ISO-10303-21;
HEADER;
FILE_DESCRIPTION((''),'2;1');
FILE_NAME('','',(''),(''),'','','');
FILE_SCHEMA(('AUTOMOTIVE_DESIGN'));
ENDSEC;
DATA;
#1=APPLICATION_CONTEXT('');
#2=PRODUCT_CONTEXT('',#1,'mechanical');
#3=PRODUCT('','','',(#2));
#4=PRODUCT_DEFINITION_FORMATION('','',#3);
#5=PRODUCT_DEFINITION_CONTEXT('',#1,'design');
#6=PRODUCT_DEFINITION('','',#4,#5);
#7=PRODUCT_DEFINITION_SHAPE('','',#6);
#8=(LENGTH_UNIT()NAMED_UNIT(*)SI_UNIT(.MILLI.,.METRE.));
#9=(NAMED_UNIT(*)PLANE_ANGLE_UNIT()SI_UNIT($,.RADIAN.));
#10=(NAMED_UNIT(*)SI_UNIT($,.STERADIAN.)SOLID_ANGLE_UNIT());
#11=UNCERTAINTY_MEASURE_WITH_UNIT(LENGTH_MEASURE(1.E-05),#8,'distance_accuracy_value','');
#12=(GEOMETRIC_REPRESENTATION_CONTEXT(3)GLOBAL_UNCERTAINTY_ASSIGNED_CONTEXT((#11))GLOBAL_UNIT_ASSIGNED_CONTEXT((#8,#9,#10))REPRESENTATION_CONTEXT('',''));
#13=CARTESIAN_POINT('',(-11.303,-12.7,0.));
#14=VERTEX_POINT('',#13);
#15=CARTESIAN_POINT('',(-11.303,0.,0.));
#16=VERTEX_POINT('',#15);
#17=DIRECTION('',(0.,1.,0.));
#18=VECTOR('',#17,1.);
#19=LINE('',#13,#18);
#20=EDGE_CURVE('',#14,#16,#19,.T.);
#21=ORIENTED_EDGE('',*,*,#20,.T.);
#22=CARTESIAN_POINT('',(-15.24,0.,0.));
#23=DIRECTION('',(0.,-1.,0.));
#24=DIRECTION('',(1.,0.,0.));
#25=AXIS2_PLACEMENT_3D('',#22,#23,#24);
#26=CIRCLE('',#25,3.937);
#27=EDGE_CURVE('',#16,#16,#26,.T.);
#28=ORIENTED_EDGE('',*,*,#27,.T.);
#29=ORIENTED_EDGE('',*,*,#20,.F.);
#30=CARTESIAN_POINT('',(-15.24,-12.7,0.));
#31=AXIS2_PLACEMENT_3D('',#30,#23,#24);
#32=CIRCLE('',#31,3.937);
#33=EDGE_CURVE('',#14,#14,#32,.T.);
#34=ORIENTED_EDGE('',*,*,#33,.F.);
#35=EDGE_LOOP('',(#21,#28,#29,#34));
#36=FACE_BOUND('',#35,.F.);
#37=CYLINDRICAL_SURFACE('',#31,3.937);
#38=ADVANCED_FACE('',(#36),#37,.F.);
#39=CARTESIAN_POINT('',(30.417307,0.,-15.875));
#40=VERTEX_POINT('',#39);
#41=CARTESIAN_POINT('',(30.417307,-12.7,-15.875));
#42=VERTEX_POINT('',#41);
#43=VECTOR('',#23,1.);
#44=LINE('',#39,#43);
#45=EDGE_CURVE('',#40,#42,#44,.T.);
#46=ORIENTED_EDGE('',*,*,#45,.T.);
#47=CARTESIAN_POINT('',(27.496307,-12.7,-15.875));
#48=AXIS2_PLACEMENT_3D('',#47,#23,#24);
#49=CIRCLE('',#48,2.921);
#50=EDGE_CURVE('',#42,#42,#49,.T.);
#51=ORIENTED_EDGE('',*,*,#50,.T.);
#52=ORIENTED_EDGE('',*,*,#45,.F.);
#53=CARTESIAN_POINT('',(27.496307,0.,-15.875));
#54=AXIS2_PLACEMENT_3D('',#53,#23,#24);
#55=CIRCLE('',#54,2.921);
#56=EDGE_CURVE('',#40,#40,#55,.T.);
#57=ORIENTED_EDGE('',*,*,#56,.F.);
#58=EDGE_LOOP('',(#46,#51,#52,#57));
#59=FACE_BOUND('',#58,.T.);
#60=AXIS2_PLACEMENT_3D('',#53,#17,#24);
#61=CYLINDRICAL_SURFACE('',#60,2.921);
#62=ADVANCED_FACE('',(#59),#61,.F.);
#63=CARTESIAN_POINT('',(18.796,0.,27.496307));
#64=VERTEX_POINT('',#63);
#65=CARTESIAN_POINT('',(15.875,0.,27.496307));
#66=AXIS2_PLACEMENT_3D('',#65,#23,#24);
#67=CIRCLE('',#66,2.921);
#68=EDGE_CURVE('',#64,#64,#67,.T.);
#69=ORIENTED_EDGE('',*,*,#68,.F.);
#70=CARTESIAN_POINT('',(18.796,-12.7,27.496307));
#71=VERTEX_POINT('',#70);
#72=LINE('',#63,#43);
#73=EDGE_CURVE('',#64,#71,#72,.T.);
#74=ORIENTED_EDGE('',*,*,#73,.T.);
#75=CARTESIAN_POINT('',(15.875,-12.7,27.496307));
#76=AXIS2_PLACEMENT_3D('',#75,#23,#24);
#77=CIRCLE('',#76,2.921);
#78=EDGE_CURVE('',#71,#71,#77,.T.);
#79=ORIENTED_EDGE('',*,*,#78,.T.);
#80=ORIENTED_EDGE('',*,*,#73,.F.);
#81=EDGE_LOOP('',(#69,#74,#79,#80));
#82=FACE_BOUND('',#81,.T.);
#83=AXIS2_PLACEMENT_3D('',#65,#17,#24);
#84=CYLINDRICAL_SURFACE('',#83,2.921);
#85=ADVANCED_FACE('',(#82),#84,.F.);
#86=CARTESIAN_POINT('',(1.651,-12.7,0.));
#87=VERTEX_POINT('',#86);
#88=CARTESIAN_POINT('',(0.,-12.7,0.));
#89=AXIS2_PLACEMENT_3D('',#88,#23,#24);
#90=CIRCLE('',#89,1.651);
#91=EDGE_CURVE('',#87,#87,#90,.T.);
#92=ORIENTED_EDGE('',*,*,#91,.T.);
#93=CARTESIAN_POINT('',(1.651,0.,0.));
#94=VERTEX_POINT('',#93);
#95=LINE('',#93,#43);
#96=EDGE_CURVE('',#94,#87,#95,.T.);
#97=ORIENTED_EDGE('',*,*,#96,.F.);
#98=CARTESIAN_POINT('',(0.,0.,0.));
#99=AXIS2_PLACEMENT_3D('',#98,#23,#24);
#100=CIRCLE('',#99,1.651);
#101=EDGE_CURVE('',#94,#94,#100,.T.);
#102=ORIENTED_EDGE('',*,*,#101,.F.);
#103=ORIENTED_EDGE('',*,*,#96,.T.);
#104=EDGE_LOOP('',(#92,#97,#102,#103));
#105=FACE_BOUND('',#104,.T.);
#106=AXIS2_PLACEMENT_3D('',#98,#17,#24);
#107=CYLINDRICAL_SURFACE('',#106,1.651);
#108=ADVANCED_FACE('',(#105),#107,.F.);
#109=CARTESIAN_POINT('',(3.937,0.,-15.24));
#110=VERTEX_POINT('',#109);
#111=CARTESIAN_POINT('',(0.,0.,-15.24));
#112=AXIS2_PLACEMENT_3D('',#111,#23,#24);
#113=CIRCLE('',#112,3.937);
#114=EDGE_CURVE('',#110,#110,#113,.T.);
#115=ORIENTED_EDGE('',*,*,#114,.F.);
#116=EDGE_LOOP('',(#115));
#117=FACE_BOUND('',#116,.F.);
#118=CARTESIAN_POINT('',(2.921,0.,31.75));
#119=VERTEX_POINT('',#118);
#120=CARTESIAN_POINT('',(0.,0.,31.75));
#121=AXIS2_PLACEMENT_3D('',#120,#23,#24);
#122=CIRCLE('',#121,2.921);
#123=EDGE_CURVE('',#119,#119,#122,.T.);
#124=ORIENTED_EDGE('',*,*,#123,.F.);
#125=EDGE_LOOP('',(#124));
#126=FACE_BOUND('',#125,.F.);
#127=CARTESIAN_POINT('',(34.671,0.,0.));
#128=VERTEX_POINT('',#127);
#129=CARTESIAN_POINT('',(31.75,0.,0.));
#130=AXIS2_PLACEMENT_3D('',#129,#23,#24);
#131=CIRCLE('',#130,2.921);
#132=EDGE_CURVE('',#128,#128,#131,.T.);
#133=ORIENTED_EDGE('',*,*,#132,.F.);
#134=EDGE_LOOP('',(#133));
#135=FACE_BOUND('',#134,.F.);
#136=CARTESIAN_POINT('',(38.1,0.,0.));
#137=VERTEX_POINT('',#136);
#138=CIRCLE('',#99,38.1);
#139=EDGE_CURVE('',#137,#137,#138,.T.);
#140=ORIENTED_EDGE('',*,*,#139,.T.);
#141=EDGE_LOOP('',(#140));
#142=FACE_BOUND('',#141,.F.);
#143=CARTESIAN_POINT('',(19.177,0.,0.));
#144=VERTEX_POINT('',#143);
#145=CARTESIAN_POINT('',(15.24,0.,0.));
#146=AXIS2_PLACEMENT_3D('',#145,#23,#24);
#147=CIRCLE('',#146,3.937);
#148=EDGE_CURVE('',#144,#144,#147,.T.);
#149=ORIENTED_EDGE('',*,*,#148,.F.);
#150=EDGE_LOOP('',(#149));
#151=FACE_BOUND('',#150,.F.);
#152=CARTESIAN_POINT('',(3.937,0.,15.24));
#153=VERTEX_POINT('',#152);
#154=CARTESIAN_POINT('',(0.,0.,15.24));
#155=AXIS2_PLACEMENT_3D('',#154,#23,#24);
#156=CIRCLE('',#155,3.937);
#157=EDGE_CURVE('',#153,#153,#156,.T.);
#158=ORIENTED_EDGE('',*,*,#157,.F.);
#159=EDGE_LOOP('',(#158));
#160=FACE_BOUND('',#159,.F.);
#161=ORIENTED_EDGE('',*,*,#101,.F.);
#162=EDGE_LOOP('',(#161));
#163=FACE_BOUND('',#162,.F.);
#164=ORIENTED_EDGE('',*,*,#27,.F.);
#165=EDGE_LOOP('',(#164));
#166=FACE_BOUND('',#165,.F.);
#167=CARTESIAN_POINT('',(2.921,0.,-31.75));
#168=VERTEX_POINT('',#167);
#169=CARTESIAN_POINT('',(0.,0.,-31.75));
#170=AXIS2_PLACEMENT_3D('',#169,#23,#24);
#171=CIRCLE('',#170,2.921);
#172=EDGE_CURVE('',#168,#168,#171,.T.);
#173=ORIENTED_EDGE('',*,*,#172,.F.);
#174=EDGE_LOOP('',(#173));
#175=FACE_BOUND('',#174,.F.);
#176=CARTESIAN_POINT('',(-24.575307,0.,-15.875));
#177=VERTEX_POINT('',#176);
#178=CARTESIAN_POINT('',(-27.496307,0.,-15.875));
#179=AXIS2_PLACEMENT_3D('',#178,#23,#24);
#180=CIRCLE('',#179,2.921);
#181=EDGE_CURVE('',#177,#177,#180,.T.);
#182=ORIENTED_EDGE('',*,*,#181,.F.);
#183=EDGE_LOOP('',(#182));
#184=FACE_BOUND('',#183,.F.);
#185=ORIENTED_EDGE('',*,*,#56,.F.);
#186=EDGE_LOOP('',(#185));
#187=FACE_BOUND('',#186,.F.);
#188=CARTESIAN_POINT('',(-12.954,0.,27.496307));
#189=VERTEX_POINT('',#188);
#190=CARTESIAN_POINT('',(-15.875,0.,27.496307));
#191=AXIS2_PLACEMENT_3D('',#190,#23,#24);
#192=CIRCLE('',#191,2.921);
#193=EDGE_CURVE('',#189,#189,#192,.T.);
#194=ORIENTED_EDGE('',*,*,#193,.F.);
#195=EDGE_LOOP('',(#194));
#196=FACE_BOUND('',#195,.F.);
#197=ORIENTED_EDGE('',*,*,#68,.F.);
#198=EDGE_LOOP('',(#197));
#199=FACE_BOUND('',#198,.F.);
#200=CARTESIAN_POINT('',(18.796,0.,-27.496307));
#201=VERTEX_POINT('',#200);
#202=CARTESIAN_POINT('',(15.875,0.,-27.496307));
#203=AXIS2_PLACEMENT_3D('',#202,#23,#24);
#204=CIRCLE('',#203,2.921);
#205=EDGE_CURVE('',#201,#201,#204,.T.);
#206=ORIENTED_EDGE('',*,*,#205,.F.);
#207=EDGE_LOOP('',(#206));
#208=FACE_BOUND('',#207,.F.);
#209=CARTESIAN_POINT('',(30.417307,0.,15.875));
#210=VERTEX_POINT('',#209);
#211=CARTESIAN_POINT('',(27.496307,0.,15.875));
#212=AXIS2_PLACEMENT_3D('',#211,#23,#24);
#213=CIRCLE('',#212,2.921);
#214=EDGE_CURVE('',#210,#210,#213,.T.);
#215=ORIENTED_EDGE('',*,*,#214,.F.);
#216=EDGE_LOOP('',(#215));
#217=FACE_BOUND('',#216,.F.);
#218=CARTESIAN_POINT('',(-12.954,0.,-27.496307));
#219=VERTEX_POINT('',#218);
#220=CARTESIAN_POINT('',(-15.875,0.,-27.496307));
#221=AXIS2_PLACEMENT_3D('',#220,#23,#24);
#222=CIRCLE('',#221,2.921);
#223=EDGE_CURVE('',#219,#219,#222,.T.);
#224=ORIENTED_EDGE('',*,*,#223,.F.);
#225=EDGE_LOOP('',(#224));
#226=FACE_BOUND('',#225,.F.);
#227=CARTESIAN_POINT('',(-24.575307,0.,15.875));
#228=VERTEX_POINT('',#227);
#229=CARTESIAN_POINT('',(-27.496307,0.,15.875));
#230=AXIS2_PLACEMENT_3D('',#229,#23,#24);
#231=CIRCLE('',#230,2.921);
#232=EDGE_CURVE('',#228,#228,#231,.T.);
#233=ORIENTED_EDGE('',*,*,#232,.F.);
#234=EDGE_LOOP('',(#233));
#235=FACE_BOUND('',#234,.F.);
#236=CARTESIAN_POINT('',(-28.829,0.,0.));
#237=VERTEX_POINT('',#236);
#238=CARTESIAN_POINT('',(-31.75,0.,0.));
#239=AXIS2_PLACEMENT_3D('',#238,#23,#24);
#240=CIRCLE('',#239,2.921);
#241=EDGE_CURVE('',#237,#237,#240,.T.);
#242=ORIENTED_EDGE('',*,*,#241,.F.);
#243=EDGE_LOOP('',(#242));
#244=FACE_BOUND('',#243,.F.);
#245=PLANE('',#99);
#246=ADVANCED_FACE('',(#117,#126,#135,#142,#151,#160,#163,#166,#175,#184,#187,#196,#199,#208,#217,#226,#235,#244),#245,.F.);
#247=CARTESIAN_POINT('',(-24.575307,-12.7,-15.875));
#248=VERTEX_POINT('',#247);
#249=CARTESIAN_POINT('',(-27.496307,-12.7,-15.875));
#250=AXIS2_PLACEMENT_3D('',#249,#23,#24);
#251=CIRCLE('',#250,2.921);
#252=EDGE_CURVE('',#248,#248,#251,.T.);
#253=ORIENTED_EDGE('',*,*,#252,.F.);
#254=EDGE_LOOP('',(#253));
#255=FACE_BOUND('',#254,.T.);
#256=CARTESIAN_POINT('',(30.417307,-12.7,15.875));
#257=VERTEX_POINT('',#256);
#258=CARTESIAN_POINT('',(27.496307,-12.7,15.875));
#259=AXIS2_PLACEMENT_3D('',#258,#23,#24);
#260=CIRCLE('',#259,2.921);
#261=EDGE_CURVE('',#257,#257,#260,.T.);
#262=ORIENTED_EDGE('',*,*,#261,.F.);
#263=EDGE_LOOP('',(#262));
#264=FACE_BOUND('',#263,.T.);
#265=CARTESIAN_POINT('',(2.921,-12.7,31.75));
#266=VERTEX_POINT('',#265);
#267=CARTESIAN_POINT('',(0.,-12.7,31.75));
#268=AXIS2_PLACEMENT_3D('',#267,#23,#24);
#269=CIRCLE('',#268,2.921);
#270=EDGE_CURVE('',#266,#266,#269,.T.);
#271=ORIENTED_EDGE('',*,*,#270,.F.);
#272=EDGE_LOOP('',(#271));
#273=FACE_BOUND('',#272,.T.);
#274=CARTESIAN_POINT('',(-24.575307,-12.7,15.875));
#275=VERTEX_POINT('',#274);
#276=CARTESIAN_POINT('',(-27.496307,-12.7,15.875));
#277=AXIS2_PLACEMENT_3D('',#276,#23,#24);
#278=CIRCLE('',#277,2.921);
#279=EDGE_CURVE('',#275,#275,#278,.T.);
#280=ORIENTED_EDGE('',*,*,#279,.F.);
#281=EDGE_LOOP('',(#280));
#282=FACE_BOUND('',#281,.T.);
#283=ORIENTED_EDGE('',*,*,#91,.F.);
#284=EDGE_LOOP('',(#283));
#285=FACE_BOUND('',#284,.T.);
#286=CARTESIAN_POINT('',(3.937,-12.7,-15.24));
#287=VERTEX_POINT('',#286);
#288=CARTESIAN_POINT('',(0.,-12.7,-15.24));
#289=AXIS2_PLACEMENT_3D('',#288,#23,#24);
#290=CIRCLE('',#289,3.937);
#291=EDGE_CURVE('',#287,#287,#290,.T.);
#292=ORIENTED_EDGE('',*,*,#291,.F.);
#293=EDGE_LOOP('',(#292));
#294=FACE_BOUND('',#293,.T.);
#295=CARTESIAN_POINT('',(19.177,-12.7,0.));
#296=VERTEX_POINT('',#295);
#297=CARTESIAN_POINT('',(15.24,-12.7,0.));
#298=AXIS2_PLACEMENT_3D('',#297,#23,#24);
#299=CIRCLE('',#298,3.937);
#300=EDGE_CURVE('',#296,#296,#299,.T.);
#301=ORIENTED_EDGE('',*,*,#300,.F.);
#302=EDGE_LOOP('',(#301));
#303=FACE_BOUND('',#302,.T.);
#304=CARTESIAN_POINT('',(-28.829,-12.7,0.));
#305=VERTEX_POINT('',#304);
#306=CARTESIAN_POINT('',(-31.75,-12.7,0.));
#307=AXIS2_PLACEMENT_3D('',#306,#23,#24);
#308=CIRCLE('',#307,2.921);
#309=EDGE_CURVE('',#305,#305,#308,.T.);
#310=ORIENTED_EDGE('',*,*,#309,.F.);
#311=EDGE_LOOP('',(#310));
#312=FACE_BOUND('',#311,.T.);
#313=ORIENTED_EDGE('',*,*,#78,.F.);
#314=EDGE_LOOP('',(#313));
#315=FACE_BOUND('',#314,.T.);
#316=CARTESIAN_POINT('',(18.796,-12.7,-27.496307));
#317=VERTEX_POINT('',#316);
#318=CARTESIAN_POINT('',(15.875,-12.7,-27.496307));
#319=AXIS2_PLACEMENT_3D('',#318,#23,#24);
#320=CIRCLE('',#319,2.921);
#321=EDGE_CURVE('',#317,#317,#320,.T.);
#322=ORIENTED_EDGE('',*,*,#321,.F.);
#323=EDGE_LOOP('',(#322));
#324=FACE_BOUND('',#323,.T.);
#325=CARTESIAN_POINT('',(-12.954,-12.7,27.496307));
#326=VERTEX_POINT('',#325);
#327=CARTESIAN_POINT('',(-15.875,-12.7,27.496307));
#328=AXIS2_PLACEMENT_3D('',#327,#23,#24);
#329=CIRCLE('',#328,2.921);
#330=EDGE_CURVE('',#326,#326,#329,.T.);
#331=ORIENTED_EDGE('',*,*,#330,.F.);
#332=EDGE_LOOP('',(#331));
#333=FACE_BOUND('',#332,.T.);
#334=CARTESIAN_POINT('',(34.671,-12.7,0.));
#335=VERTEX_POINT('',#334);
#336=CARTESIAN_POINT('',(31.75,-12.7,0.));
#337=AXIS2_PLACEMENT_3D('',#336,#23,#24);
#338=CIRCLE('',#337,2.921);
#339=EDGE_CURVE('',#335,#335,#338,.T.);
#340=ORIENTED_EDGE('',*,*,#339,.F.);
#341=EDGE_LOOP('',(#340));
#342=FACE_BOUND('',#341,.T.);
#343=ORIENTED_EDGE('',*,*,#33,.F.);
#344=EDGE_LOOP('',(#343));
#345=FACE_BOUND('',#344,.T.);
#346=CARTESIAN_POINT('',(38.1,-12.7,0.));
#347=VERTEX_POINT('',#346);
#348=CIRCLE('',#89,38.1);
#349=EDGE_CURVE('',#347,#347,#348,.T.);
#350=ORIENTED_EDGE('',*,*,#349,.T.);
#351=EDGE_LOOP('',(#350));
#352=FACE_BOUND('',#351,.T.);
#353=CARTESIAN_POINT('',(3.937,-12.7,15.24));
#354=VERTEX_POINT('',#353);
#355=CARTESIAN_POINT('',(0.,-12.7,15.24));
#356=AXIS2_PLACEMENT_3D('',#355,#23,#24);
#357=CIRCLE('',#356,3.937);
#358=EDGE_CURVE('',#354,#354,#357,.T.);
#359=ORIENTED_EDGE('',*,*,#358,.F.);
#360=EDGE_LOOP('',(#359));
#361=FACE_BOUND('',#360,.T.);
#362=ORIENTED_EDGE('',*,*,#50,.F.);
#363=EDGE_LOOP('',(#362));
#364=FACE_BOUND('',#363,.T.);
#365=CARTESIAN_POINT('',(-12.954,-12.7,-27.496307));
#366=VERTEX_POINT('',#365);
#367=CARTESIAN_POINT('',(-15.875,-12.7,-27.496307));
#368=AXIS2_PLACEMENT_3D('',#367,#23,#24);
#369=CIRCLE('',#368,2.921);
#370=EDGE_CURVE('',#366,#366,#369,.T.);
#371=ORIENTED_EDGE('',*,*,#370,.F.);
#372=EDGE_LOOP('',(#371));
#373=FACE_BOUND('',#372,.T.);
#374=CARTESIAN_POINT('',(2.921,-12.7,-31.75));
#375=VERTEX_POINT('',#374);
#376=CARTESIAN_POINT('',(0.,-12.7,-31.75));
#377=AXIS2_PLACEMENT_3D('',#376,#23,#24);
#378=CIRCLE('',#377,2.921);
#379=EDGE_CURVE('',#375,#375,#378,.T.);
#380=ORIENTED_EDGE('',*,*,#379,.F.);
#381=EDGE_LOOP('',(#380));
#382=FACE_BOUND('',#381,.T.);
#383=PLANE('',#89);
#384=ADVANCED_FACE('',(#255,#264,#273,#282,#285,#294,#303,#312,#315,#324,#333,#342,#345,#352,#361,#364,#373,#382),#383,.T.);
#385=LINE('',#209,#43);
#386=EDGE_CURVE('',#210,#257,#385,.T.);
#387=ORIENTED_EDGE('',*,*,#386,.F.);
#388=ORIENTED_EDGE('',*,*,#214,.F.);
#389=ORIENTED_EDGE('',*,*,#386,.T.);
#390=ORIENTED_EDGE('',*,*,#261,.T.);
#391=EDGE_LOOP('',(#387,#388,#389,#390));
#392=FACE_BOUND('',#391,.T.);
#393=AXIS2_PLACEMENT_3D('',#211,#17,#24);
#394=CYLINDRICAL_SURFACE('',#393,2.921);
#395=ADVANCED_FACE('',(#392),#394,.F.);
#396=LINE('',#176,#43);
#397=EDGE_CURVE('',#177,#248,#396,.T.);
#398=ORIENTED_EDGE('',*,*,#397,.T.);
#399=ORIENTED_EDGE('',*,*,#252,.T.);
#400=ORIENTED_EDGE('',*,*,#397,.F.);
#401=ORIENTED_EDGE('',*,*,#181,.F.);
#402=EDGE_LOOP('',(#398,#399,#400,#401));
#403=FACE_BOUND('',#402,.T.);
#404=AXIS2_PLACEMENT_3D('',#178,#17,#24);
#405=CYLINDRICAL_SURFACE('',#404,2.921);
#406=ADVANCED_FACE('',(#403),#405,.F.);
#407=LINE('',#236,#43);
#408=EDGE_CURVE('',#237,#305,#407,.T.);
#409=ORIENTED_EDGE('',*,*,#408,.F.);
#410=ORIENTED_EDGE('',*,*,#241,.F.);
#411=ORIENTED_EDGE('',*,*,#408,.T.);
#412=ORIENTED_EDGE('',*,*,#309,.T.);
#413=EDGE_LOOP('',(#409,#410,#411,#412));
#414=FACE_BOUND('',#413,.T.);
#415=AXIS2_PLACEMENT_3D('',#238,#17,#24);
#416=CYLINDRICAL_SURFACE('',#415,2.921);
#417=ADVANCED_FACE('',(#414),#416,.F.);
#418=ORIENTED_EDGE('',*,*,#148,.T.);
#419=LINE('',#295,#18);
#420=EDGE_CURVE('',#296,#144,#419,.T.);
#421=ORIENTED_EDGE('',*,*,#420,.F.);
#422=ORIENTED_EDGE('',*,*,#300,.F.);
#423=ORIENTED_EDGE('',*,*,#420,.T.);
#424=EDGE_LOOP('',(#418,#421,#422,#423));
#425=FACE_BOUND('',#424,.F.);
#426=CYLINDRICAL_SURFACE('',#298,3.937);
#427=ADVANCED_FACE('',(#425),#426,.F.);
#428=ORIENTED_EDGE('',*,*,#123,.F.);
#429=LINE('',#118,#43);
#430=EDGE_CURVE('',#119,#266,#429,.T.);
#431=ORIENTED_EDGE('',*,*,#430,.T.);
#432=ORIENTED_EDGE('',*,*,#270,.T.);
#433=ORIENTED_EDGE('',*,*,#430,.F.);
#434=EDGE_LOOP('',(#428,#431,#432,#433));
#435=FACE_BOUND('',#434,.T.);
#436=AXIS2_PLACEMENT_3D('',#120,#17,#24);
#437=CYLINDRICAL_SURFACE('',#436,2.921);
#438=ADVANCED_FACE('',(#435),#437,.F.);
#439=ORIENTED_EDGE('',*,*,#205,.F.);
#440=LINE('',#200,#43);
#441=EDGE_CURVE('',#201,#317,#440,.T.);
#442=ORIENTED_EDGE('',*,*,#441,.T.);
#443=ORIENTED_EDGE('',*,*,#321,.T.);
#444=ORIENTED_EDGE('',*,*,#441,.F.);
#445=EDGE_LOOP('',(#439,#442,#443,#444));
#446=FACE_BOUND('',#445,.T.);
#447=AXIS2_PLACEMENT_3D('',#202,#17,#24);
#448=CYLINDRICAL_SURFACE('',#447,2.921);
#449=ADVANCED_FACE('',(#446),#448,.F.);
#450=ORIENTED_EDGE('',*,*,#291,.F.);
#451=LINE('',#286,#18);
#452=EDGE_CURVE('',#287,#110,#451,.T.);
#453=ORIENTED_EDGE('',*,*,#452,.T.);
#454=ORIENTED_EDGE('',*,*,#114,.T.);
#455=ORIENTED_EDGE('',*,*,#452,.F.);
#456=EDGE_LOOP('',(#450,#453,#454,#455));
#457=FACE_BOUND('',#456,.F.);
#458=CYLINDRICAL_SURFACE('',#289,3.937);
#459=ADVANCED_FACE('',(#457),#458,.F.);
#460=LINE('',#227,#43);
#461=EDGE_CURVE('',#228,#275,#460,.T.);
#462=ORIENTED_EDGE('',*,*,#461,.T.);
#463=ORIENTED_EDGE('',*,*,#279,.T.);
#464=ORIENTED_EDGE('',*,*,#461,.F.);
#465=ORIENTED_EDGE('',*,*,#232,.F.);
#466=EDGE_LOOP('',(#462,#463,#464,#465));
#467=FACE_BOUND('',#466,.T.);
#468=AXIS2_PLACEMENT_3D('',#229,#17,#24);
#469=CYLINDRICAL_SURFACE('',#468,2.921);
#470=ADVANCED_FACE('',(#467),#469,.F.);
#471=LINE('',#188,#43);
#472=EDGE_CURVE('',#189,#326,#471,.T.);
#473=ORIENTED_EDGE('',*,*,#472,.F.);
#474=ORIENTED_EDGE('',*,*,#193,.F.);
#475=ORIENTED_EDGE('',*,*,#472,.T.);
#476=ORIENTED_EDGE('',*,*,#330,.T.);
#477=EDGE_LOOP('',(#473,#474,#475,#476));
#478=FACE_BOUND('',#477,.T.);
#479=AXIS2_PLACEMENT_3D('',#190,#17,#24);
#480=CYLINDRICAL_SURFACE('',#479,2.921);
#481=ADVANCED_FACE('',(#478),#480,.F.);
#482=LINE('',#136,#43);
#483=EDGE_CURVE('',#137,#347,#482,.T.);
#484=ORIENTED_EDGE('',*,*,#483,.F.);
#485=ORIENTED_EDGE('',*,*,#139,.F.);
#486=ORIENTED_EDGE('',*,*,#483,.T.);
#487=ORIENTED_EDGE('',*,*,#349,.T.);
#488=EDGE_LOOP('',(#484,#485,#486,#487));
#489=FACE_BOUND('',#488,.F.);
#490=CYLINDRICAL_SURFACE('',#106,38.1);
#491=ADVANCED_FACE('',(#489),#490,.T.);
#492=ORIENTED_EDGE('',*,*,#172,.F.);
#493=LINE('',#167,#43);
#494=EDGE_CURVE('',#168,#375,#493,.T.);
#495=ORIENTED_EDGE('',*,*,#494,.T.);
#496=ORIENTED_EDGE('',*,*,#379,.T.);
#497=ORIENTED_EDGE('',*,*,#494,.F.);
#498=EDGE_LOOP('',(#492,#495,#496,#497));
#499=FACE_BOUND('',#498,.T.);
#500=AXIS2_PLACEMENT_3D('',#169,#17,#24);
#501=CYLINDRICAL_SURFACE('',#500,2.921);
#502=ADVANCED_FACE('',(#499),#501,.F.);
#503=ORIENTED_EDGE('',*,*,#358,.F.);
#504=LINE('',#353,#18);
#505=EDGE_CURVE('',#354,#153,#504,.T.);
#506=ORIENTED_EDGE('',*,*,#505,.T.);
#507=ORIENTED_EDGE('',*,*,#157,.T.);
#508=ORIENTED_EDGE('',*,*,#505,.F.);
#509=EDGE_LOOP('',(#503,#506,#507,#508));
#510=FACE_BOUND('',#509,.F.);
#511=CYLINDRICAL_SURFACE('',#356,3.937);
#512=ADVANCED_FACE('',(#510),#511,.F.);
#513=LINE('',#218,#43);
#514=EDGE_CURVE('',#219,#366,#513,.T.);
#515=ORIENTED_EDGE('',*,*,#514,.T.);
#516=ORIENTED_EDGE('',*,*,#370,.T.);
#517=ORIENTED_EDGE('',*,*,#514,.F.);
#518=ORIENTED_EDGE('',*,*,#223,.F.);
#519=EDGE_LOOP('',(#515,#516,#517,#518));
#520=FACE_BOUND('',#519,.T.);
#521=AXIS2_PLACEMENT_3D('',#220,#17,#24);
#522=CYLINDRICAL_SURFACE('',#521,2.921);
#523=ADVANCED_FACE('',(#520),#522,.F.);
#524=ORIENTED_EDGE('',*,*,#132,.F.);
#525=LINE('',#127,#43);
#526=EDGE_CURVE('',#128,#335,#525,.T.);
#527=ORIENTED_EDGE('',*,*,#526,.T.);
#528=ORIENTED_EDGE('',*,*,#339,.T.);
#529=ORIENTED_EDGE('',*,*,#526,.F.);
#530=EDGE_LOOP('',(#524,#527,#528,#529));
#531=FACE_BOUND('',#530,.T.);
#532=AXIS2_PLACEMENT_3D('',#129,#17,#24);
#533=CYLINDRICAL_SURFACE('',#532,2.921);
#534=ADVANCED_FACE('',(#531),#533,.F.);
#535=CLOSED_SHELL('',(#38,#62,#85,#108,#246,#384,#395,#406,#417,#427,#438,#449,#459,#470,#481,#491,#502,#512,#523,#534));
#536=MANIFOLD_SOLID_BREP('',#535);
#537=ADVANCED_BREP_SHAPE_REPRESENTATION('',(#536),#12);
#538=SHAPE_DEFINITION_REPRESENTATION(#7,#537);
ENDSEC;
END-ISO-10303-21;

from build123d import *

# Parameters (mm, degrees)
F1_R     = 38.1
F1_R_2   = 2.921
F1_R_3   = 1.651
F2_DEPTH = 12.7
F3_R     = 3.937
F4_DEPTH = 25.4


with BuildPart() as f2:
    # F1 (on face) → F2 (new body)
    with BuildSketch(Plane.XZ):
        Circle(F1_R)
        with Locations((-15.875, -27.496307)):
            Circle(F1_R_2, mode=Mode.SUBTRACT)
        with Locations((-27.496307, -15.875)):
            Circle(F1_R_2, mode=Mode.SUBTRACT)
        with Locations((0, -31.75)):
            Circle(F1_R_2, mode=Mode.SUBTRACT)
        with Locations((15.875, -27.496307)):
            Circle(F1_R_2, mode=Mode.SUBTRACT)
        with Locations((27.496307, -15.875)):
            Circle(F1_R_2, mode=Mode.SUBTRACT)
        with Locations((-31.75, 0)):
            Circle(F1_R_2, mode=Mode.SUBTRACT)
        with Locations((-27.496307, 15.875)):
            Circle(F1_R_2, mode=Mode.SUBTRACT)
        with Locations((-15.875, 27.496307)):
            Circle(F1_R_2, mode=Mode.SUBTRACT)
        Circle(F1_R_3, mode=Mode.SUBTRACT)
        with Locations((31.75, 0)):
            Circle(F1_R_2, mode=Mode.SUBTRACT)
        with Locations((27.496307, 15.875)):
            Circle(F1_R_2, mode=Mode.SUBTRACT)
        with Locations((15.875, 27.496307)):
            Circle(F1_R_2, mode=Mode.SUBTRACT)
        with Locations((0, 31.75)):
            Circle(F1_R_2, mode=Mode.SUBTRACT)
    extrude(amount=F2_DEPTH)

    # F3 (on face) → F4 (cut)
    with BuildSketch(Plane.XZ.offset(12.7)):
        with Locations((0, 15.24)):
            Circle(F3_R)
        with Locations((15.24, 0)):
            Circle(F3_R)
        with Locations((-15.24, 0)):
            Circle(F3_R)
        with Locations((0, -15.24)):
            Circle(F3_R)
    extrude(amount=-F4_DEPTH, mode=Mode.SUBTRACT)


solid = f2.part
